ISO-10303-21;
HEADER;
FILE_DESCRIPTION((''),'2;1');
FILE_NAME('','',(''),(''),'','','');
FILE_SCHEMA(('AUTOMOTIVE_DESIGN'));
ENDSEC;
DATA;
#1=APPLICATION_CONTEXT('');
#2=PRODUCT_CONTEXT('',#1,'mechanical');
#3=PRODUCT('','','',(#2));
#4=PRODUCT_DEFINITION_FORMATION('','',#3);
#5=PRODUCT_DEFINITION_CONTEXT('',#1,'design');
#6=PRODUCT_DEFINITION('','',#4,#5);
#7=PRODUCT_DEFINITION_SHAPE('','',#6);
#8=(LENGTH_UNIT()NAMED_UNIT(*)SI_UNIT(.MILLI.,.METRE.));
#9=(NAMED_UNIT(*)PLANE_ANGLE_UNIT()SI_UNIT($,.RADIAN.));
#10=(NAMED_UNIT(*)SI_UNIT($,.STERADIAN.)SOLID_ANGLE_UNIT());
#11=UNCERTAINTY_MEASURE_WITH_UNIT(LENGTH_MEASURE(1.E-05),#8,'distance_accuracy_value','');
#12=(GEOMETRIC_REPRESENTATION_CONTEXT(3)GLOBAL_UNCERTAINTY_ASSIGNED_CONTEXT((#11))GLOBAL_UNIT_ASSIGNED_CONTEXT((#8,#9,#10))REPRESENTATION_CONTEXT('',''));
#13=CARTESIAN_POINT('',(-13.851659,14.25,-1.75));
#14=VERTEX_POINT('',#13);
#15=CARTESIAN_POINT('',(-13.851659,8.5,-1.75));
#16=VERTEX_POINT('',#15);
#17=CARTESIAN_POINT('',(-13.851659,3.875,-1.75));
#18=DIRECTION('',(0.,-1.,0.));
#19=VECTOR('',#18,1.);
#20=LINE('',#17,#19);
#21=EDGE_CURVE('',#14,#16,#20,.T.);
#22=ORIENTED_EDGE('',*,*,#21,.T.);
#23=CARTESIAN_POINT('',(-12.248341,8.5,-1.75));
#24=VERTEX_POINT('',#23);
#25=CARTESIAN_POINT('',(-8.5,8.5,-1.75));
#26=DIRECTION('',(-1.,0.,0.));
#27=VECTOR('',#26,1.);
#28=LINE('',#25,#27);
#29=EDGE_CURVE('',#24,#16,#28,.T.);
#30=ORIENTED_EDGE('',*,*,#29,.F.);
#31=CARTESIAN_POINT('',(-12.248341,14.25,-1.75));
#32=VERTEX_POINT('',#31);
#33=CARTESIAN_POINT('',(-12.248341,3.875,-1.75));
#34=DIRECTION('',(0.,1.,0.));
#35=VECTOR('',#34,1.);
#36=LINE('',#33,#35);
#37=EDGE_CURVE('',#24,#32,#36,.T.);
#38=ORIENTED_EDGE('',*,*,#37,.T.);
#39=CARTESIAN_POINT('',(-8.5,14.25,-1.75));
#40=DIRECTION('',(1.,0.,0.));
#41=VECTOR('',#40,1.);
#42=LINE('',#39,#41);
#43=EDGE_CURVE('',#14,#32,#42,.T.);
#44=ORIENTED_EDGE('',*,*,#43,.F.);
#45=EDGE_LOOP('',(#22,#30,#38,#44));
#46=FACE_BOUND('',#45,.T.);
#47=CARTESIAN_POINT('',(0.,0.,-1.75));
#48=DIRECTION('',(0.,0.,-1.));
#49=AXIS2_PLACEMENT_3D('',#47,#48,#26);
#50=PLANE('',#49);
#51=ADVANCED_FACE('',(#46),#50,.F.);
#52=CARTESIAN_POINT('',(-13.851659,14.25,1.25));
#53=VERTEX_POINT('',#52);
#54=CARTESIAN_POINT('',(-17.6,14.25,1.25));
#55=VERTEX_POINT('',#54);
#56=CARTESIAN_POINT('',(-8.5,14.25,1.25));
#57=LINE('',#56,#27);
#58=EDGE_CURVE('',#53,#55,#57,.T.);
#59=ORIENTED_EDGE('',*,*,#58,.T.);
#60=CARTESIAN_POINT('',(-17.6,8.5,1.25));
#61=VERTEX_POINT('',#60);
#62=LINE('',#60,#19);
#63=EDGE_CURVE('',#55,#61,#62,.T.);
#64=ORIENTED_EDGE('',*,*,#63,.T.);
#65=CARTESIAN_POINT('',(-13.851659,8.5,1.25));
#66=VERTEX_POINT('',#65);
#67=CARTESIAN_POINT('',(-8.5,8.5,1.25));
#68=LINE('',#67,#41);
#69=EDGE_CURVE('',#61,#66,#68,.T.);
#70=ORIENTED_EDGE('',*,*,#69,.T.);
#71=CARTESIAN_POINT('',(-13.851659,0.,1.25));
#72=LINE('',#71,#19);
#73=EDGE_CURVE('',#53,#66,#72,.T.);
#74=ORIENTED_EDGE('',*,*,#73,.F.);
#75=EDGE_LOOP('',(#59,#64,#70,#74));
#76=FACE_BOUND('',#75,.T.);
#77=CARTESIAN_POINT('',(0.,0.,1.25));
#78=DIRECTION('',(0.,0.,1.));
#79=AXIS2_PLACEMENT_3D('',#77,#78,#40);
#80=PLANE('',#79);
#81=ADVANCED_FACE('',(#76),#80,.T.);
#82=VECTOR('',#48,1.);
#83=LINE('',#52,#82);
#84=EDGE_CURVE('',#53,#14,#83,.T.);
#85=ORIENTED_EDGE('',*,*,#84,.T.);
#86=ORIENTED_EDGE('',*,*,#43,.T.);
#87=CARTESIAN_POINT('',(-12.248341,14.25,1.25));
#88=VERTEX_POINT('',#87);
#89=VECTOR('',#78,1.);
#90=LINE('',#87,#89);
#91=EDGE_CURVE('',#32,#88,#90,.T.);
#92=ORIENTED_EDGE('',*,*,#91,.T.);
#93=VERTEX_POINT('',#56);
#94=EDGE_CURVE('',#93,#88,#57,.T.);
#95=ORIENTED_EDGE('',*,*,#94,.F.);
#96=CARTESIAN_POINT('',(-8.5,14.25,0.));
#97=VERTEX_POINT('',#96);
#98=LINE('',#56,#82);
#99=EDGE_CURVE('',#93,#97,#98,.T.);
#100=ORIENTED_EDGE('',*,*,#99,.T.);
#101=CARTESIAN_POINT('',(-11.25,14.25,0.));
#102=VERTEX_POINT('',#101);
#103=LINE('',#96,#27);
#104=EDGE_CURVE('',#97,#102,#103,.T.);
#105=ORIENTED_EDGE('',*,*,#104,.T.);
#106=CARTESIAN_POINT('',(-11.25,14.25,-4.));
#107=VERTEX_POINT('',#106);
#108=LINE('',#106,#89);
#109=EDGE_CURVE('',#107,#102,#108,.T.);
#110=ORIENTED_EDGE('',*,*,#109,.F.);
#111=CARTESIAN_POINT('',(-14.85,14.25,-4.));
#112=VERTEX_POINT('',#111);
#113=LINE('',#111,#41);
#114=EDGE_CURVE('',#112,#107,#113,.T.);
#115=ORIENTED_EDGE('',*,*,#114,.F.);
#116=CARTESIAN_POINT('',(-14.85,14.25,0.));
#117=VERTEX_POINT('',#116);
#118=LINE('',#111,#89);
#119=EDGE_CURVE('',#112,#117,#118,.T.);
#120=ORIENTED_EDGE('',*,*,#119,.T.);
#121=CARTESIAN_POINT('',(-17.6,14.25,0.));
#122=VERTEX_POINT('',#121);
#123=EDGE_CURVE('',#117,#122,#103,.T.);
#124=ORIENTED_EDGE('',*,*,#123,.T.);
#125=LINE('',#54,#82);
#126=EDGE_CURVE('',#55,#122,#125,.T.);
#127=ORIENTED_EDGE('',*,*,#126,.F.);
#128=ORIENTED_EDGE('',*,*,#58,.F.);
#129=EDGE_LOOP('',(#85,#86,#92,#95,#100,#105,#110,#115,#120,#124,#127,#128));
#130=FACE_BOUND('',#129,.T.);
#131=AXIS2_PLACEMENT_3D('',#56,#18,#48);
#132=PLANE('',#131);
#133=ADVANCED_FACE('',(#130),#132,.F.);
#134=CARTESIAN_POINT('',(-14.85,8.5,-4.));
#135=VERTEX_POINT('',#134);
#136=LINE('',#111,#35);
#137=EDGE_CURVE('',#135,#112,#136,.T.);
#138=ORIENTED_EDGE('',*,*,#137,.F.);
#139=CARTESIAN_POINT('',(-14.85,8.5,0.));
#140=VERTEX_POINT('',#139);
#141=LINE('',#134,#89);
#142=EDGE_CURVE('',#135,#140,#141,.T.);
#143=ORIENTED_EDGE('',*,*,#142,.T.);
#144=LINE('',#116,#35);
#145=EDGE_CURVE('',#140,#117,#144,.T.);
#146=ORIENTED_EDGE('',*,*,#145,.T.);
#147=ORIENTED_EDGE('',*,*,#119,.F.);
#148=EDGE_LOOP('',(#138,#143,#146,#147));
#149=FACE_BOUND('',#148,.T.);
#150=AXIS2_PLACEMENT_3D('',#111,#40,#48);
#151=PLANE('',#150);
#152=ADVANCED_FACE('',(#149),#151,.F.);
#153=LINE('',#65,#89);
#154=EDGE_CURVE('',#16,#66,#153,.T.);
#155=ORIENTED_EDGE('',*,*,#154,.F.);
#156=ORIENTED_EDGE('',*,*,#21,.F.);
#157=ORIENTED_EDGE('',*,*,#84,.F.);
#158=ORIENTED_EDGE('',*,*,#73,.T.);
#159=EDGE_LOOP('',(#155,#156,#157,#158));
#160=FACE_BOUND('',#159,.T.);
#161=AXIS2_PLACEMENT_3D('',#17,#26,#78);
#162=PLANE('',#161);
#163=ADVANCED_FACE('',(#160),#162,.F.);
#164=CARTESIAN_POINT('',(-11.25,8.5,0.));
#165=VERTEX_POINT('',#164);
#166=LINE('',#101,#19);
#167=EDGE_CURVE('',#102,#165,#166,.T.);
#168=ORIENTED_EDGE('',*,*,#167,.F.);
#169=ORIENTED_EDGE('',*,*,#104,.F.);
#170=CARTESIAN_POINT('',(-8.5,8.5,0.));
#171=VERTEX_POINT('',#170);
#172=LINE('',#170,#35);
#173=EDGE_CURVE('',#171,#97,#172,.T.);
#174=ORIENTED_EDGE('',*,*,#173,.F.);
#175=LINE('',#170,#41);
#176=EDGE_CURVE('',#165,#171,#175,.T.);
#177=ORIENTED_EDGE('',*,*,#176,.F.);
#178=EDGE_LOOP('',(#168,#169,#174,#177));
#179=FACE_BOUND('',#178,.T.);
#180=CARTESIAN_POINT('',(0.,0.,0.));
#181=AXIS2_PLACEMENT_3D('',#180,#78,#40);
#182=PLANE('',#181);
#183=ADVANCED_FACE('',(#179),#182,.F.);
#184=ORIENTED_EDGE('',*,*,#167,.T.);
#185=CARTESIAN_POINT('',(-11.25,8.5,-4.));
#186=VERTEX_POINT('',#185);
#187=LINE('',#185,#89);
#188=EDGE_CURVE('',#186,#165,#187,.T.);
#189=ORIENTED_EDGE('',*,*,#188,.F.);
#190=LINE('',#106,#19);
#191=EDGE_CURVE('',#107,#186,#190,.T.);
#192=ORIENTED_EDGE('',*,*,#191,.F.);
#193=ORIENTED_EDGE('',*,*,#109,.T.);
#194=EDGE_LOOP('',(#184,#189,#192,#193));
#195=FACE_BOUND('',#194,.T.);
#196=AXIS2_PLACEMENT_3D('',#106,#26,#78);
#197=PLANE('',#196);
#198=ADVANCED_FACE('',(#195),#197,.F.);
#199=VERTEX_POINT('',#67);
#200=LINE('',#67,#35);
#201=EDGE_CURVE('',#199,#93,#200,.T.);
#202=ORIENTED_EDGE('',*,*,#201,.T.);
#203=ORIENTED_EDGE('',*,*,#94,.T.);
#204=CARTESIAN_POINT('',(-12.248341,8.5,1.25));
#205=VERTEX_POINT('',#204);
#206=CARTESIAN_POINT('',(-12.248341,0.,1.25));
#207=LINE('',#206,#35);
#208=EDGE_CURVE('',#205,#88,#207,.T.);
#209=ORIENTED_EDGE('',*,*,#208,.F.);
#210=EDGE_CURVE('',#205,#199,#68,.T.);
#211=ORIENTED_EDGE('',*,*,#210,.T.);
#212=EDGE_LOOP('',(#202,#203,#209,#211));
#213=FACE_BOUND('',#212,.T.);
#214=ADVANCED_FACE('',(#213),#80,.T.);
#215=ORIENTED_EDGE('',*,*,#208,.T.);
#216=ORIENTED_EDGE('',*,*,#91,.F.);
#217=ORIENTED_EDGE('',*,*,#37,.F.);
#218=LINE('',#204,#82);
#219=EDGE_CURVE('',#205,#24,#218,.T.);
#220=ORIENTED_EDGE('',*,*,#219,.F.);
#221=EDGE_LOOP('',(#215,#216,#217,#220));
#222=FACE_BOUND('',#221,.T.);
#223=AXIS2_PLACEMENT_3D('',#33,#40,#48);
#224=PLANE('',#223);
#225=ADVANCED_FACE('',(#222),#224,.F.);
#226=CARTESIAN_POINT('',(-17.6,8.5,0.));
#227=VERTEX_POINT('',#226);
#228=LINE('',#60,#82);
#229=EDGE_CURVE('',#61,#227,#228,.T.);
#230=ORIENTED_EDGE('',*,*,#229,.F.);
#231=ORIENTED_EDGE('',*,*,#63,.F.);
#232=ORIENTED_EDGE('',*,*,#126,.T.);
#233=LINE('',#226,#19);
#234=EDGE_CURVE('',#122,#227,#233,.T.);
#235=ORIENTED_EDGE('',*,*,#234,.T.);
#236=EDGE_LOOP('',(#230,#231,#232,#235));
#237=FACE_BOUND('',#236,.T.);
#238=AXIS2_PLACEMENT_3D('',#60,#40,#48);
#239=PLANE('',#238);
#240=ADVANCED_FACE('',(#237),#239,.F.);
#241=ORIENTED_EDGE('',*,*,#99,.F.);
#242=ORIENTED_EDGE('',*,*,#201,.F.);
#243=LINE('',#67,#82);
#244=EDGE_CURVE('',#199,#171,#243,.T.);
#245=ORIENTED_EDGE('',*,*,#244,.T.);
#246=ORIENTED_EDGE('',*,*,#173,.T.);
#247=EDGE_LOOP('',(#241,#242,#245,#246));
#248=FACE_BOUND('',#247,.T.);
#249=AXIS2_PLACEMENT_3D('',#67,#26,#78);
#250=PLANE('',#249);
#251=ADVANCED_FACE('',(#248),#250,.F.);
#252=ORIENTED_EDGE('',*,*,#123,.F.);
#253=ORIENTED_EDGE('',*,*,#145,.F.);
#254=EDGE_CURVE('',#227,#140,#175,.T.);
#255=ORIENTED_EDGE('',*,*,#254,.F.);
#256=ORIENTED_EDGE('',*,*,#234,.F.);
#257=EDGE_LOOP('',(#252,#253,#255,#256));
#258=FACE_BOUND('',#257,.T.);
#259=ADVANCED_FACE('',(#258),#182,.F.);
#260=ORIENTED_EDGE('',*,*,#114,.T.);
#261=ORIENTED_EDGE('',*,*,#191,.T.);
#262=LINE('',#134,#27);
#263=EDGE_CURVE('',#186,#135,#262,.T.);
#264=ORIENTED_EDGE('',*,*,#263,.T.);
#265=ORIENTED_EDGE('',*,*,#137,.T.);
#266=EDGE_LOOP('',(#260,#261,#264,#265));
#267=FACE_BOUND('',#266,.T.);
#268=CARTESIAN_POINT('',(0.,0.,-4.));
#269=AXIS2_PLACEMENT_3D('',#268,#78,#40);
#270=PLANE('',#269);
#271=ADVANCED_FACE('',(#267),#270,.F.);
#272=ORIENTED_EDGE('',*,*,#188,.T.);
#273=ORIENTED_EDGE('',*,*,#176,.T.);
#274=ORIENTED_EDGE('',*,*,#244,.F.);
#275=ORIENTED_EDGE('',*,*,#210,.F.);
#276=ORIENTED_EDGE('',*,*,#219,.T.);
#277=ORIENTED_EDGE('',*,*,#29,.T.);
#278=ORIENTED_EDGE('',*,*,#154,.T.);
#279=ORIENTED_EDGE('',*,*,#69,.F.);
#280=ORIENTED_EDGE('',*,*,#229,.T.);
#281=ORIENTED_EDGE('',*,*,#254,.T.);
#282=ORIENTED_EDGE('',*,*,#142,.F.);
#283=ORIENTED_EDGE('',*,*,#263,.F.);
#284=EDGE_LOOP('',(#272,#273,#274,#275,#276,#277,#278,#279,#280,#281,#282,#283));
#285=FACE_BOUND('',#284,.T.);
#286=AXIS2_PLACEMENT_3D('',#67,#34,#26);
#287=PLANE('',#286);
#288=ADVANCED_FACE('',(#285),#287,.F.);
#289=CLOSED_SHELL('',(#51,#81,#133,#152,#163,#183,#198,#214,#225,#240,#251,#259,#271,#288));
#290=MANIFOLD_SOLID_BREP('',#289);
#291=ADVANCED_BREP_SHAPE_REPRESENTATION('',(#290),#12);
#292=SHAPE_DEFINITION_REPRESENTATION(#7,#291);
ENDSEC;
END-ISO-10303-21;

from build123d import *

# Parameters (mm, degrees)
SKETCH1_W           = 9.1
SKETCH1_H           = 5.75
BOSS_EXTRUDE1_DEPTH = 1.25
SKETCH3_W           = 3.6
SKETCH3_H           = 5.75
BOSS_EXTRUDE2_DEPTH = 4
SKETCH2_W           = 1.60331862
SKETCH2_H           = 15
CUT_EXTRUDE1_DEPTH  = 3


with BuildPart() as part:
    # Sketch1 → Boss-Extrude1 (new body)
    with BuildSketch(Plane.XY):
        with Locations((-13.05, 11.375)):
            Rectangle(SKETCH1_W, SKETCH1_H)
    extrude(amount=BOSS_EXTRUDE1_DEPTH)

    # Sketch3 → Boss-Extrude2 (add)
    with BuildSketch(Plane(origin=(0, 0, 0), x_dir=(-1, 0, 0), z_dir=(0, 0, -1))):
        with Locations((13.05, 11.375)):
            Rectangle(SKETCH3_W, SKETCH3_H)
    extrude(amount=BOSS_EXTRUDE2_DEPTH)

    # Sketch2 → Cut-Extrude1 (cut)
    with BuildSketch(Plane.XY.offset(1.25)):
        with Locations((-13.05, 11.375)):
            Rectangle(SKETCH2_W, SKETCH2_H)
    extrude(amount=-CUT_EXTRUDE1_DEPTH, mode=Mode.SUBTRACT)


solid = part.part
